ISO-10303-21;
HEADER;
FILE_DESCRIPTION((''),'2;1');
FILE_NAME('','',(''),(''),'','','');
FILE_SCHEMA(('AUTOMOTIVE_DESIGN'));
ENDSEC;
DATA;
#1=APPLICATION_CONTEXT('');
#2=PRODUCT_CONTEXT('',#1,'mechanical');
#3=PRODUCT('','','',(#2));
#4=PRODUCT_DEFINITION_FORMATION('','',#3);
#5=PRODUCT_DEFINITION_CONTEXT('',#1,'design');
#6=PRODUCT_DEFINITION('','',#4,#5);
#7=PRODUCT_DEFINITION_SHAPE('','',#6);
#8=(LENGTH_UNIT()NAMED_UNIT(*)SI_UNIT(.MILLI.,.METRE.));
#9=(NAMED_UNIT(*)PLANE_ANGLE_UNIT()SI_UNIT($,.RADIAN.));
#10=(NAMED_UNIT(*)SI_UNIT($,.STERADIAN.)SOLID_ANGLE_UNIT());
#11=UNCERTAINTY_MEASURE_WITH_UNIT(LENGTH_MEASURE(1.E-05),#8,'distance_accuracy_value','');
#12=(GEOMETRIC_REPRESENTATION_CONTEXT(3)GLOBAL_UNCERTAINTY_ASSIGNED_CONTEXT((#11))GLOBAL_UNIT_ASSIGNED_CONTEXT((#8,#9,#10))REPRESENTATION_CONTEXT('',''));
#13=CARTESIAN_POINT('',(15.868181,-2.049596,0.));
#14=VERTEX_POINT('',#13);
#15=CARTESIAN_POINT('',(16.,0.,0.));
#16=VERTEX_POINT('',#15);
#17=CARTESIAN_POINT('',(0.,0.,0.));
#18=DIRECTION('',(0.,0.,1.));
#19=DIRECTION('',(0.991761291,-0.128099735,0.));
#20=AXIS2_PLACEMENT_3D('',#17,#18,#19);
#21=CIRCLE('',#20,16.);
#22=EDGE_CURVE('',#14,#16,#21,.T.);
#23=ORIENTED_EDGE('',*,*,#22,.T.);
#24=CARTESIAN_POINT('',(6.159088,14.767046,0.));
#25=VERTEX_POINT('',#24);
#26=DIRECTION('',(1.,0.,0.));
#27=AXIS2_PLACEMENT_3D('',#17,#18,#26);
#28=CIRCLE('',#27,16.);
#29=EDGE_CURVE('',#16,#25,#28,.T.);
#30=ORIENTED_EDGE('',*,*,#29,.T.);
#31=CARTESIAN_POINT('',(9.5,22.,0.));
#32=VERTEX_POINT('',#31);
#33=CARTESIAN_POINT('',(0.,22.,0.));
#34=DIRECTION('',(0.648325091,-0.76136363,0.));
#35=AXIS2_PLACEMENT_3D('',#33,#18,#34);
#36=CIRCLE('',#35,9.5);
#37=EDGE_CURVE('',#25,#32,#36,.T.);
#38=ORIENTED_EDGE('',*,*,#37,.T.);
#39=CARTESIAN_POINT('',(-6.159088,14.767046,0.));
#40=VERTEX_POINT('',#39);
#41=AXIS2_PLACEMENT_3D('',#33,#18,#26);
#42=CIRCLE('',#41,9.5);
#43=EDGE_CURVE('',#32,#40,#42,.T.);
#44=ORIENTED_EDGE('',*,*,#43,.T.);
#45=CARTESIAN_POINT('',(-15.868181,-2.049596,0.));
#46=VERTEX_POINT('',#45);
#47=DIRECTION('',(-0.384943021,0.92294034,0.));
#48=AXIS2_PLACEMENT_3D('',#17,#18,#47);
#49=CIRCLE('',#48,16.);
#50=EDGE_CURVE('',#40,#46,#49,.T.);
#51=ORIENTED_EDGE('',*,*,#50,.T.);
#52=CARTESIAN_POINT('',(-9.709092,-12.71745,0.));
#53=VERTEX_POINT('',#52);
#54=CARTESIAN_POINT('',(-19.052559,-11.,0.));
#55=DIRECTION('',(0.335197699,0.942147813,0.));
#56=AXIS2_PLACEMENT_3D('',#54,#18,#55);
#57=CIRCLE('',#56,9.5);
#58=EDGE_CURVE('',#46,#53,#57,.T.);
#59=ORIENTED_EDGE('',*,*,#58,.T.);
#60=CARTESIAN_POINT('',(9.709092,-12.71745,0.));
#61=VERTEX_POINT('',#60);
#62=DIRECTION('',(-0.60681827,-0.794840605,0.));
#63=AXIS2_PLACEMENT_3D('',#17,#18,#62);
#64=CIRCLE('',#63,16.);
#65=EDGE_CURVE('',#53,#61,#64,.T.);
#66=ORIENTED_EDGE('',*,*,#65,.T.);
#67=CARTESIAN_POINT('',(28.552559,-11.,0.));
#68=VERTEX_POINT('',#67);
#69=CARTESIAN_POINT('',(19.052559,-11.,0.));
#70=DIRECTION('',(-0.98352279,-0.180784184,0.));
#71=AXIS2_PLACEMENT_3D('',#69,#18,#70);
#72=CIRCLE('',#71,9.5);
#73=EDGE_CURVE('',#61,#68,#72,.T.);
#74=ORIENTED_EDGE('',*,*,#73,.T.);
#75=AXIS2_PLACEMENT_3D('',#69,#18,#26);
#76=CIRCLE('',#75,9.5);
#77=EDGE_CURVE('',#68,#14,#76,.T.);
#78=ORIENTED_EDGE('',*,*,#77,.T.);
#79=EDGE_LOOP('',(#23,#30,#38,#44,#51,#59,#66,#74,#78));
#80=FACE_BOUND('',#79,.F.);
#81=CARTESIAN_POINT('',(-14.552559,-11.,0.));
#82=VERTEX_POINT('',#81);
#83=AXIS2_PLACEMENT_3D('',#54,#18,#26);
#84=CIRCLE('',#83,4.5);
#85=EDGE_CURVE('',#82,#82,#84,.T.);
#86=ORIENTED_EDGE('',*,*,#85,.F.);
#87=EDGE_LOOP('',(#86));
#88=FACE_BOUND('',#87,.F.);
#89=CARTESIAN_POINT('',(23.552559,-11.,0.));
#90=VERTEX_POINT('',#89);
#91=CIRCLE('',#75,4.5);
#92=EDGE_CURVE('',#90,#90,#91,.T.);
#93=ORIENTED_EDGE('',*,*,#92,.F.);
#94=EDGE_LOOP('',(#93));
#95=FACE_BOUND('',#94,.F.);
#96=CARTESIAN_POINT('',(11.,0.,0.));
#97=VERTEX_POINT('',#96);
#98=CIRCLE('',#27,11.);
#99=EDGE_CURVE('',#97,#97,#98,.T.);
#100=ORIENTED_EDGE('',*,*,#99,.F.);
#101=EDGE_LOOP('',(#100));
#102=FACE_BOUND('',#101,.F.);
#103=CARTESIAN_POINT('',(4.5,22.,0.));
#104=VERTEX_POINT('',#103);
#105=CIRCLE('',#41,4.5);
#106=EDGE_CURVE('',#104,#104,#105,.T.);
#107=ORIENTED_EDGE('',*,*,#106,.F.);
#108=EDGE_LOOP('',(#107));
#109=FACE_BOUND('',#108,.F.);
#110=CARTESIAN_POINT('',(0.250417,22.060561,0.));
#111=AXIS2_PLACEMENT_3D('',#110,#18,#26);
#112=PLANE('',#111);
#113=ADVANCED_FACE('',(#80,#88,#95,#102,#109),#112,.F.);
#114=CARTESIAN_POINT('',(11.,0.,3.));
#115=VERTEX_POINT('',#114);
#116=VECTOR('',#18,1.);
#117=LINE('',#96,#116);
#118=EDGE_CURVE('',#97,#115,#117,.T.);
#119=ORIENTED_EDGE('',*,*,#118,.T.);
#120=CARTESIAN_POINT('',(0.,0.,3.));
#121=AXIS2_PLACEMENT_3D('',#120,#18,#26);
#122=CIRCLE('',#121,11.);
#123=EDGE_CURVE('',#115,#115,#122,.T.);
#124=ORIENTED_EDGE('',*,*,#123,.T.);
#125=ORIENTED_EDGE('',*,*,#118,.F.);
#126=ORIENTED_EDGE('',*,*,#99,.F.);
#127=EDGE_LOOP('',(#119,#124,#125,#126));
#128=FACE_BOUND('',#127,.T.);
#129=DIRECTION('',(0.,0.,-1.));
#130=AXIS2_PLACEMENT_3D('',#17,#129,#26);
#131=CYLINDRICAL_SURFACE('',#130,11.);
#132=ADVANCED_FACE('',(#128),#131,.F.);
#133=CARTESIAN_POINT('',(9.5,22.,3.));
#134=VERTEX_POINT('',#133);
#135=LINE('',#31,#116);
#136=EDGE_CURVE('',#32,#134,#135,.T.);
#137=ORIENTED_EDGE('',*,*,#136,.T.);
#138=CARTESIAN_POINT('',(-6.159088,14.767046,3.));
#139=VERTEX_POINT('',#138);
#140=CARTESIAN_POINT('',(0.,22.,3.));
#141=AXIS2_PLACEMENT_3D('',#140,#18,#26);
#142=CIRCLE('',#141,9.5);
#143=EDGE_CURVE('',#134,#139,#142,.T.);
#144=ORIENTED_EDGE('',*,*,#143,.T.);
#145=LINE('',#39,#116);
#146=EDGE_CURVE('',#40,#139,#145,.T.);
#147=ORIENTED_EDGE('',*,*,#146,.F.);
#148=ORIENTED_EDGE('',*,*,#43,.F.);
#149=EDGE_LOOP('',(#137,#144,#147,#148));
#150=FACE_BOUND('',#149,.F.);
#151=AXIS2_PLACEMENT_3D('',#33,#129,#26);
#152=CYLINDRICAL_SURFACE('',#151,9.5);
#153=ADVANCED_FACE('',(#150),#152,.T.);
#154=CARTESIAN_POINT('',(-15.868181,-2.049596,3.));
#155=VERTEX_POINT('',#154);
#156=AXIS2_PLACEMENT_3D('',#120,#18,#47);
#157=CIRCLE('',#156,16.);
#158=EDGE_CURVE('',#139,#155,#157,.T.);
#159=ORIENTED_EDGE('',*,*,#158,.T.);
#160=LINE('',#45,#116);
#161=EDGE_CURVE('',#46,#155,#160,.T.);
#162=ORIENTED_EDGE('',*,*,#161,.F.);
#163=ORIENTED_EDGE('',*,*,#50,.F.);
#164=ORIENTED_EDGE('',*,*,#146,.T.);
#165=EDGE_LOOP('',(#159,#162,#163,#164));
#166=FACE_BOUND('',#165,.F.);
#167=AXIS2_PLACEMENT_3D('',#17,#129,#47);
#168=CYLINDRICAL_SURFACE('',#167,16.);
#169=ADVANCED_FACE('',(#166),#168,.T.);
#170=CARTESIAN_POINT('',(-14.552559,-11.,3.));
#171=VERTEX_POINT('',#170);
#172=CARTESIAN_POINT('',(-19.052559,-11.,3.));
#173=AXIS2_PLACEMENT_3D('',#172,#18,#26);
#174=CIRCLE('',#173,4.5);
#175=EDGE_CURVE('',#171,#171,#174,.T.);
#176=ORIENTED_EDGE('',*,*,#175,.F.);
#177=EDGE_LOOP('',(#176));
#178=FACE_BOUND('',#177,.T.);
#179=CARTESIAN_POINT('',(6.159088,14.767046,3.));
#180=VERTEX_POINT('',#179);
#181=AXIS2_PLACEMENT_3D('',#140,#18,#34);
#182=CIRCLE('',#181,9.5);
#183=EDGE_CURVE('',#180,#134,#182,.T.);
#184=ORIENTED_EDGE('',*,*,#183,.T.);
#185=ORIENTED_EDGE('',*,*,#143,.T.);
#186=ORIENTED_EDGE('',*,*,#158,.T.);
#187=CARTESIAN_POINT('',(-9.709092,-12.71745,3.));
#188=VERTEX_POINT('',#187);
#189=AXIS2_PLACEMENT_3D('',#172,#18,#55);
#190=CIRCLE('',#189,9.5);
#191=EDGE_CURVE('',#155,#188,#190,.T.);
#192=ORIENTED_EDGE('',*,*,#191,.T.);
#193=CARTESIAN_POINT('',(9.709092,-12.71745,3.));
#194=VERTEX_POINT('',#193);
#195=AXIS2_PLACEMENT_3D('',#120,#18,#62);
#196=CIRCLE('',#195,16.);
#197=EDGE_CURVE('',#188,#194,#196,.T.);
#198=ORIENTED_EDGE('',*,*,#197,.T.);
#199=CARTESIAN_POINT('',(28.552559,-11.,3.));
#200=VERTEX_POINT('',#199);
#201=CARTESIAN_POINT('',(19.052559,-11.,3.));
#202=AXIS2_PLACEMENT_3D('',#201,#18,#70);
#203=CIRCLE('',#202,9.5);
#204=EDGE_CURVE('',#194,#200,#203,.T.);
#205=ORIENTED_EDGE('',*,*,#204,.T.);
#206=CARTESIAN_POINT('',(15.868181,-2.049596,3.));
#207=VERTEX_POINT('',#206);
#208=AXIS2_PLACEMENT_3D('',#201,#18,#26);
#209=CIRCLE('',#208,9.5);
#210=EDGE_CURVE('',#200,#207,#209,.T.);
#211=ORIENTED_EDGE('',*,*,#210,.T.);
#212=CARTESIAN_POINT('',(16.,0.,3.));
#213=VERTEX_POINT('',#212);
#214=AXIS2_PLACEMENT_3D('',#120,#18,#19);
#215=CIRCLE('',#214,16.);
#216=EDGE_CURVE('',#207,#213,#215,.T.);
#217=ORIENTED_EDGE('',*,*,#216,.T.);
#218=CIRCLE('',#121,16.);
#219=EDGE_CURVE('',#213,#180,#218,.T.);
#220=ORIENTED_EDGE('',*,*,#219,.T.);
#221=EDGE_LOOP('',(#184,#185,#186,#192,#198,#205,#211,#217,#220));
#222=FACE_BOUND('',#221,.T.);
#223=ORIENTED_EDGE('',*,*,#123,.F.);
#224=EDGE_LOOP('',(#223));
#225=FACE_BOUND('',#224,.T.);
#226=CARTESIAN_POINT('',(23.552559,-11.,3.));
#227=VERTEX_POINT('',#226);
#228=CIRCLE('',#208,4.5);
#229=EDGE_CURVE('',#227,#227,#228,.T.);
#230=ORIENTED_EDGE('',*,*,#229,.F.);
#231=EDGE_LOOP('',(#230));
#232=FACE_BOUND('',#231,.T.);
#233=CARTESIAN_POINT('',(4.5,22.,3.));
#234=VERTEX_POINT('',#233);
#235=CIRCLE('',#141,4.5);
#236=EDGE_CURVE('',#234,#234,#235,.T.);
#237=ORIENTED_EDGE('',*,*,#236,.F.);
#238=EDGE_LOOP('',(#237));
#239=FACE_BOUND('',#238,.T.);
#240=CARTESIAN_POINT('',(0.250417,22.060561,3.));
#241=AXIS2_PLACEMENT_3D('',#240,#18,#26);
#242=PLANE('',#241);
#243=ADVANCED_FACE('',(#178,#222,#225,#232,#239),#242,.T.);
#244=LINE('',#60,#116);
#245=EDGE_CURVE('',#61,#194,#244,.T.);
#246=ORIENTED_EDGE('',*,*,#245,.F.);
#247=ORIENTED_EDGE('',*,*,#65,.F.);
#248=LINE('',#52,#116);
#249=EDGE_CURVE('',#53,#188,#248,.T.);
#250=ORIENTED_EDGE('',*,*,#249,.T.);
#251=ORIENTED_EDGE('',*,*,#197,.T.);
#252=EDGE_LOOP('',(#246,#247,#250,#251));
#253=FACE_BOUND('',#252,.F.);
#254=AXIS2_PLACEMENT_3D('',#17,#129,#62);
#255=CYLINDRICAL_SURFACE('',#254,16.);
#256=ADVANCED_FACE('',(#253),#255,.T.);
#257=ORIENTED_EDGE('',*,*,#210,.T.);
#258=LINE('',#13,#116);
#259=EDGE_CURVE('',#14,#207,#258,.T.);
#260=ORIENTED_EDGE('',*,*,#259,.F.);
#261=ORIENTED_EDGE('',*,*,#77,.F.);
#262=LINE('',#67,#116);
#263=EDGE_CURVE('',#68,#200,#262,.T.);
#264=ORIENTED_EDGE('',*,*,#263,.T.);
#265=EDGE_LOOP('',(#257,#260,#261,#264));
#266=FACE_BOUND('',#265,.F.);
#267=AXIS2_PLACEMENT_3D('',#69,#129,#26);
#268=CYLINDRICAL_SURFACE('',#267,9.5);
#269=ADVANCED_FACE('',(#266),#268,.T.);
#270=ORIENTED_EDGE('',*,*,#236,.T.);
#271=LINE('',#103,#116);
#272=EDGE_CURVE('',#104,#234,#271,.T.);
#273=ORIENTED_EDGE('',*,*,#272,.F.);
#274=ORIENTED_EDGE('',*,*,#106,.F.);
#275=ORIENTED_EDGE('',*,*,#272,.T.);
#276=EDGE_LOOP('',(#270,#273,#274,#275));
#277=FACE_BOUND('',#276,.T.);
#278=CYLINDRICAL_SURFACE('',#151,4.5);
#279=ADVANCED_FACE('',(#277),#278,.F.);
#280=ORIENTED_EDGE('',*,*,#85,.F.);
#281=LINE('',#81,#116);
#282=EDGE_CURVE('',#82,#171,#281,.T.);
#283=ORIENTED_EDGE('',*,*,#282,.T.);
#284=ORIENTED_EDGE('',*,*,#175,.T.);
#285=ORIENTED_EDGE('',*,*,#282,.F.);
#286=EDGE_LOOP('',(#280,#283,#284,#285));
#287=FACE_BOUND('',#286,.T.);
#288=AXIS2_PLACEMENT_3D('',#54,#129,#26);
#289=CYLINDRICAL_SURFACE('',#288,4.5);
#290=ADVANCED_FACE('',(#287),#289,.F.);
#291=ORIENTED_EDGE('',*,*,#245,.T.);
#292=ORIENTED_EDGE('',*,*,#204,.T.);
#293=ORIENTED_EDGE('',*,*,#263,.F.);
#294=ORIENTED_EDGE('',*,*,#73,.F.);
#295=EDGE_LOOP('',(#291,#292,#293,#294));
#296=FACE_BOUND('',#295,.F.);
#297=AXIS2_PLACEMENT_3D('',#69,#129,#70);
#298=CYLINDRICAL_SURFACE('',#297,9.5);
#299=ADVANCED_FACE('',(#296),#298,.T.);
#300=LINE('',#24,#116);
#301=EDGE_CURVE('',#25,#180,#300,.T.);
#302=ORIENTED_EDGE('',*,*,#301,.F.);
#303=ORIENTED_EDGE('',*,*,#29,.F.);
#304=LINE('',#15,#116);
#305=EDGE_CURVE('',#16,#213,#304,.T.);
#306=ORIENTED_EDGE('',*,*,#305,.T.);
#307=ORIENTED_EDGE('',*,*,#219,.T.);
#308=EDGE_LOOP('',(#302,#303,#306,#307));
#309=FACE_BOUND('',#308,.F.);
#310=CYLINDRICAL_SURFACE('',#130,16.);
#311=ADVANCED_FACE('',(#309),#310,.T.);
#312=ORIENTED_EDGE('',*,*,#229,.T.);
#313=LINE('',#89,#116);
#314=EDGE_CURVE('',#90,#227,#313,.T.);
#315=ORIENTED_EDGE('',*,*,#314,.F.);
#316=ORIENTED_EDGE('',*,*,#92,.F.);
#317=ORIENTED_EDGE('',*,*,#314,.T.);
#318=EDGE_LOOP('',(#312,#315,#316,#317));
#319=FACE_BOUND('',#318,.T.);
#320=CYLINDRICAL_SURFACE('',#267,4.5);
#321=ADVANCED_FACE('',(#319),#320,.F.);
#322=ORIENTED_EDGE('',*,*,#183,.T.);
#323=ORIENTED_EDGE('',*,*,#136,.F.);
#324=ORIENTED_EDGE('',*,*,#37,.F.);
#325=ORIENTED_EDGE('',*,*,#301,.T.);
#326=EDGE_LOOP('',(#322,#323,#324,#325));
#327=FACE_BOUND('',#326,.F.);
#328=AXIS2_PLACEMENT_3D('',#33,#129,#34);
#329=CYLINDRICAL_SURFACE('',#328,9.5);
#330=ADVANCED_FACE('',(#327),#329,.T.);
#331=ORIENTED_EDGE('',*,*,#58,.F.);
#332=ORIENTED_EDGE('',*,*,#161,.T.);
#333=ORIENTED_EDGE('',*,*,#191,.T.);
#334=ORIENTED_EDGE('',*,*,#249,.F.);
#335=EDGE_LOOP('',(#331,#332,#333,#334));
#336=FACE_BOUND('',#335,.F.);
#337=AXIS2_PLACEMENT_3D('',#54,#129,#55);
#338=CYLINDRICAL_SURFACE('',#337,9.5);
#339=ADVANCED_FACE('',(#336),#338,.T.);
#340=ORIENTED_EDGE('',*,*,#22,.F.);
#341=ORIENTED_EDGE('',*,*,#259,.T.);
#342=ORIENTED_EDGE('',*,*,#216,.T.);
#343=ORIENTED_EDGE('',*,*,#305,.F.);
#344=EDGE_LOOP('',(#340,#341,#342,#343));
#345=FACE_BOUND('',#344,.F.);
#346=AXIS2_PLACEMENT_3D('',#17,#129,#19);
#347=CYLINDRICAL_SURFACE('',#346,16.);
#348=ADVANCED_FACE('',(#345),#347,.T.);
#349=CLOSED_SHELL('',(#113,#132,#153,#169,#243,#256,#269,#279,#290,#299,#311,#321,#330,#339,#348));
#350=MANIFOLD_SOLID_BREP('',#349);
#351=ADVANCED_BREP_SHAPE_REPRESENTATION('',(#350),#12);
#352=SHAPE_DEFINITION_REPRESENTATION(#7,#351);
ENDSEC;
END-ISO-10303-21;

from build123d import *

# Parameters (mm, degrees)
F0_R     = 4.500000108
F0_R_2   = 11
F1_DEPTH = 3


with BuildPart() as f1:
    # F0 (on Top) → F1 (new body)
    with BuildSketch(Plane.XY):
        with BuildLine():
            ThreePointArc((6.1590883621, 14.7670455174), (8.624422863, 18.0163672007), (9.5, 22))
            ThreePointArc((9.5, 22), (-3.9836327993, 30.624422863), (-6.1590883621, 14.7670455174))
            ThreePointArc((-6.1590883621, 14.7670455174), (0, 16.0000000864), (6.1590883621, 14.7670455174))
        make_face()
        with Locations((0, 22)):
            Circle(F0_R, mode=Mode.SUBTRACT)
        with BuildLine():
            ThreePointArc((6.1590883621, 14.7670455174), (0, 16.0000000864), (-6.1590883621, 14.7670455174))
            ThreePointArc((-6.1590883621, 14.7670455174), (0, 12.5), (6.1590883621, 14.7670455174))
        make_face()
        with BuildLine():
            ThreePointArc((6.1590883621, 14.7670455174), (0, 12.5), (-6.1590883621, 14.7670455174))
            ThreePointArc((-6.1590883621, 14.7670455174), (-13.8564065354, 8.0000000432), (-15.868180738, -2.0495957729))
            ThreePointArc((-15.868180738, -2.0495957729), (-11.2904202482, -5.5228471073), (-9.5525588833, -11))
            ThreePointArc((-9.5525588833, -11), (-9.5917731912, -11.8622842279), (-9.7090923758, -12.7174497444))
            ThreePointArc((-9.7090923758, -12.7174497444), (0, -16.0000000864), (9.7090923758, -12.7174497444))
            ThreePointArc((9.7090923758, -12.7174497444), (10.8253175473, -6.25), (15.868180738, -2.0495957729))
            ThreePointArc((15.868180738, -2.0495957729), (15.967011241, -1.0269151831), (16.0000000864, 0))
            ThreePointArc((16.0000000864, 0), (13.3143797657, 8.8728402566), (6.1590883621, 14.7670455174))
        make_face()
        Circle(F0_R_2, mode=Mode.SUBTRACT)
        with BuildLine():
            ThreePointArc((-9.7090923758, -12.7174497444), (-13.8564065354, -8.0000000432), (-15.868180738, -2.0495957729))
            ThreePointArc((-15.868180738, -2.0495957729), (-27.2798002192, -15.75), (-9.7090923758, -12.7174497444))
        make_face()
        with Locations((-19.0525588833, -11)):
            Circle(F0_R, mode=Mode.SUBTRACT)
        with BuildLine():
            ThreePointArc((-9.5525588833, -11), (-11.2904202482, -5.5228471073), (-15.868180738, -2.0495957729))
            ThreePointArc((-15.868180738, -2.0495957729), (-13.8564065354, -8.0000000432), (-9.7090923758, -12.7174497444))
            ThreePointArc((-9.7090923758, -12.7174497444), (-9.5917731912, -11.8622842279), (-9.5525588833, -11))
        make_face()
        with BuildLine():
            ThreePointArc((9.7090923758, -12.7174497444), (13.8564065354, -8.0000000432), (15.868180738, -2.0495957729))
            ThreePointArc((15.868180738, -2.0495957729), (10.8253175473, -6.25), (9.7090923758, -12.7174497444))
        make_face()
        with BuildLine():
            ThreePointArc((28.5525588833, -11), (24.5297117759, -3.2378613649), (15.868180738, -2.0495957729))
            ThreePointArc((15.868180738, -2.0495957729), (13.8564065354, -8.0000000432), (9.7090923758, -12.7174497444))
            ThreePointArc((9.7090923758, -12.7174497444), (19.9148431112, -20.460785692), (28.5525588833, -11))
        make_face()
        with Locations((19.0525588833, -11)):
            Circle(F0_R, mode=Mode.SUBTRACT)
    extrude(amount=F1_DEPTH)


with BuildPart() as f2_1:
    # F2: copy of F1
    add(f1.part.moved(Location((0, 0, 10))))


solid = f1.part
